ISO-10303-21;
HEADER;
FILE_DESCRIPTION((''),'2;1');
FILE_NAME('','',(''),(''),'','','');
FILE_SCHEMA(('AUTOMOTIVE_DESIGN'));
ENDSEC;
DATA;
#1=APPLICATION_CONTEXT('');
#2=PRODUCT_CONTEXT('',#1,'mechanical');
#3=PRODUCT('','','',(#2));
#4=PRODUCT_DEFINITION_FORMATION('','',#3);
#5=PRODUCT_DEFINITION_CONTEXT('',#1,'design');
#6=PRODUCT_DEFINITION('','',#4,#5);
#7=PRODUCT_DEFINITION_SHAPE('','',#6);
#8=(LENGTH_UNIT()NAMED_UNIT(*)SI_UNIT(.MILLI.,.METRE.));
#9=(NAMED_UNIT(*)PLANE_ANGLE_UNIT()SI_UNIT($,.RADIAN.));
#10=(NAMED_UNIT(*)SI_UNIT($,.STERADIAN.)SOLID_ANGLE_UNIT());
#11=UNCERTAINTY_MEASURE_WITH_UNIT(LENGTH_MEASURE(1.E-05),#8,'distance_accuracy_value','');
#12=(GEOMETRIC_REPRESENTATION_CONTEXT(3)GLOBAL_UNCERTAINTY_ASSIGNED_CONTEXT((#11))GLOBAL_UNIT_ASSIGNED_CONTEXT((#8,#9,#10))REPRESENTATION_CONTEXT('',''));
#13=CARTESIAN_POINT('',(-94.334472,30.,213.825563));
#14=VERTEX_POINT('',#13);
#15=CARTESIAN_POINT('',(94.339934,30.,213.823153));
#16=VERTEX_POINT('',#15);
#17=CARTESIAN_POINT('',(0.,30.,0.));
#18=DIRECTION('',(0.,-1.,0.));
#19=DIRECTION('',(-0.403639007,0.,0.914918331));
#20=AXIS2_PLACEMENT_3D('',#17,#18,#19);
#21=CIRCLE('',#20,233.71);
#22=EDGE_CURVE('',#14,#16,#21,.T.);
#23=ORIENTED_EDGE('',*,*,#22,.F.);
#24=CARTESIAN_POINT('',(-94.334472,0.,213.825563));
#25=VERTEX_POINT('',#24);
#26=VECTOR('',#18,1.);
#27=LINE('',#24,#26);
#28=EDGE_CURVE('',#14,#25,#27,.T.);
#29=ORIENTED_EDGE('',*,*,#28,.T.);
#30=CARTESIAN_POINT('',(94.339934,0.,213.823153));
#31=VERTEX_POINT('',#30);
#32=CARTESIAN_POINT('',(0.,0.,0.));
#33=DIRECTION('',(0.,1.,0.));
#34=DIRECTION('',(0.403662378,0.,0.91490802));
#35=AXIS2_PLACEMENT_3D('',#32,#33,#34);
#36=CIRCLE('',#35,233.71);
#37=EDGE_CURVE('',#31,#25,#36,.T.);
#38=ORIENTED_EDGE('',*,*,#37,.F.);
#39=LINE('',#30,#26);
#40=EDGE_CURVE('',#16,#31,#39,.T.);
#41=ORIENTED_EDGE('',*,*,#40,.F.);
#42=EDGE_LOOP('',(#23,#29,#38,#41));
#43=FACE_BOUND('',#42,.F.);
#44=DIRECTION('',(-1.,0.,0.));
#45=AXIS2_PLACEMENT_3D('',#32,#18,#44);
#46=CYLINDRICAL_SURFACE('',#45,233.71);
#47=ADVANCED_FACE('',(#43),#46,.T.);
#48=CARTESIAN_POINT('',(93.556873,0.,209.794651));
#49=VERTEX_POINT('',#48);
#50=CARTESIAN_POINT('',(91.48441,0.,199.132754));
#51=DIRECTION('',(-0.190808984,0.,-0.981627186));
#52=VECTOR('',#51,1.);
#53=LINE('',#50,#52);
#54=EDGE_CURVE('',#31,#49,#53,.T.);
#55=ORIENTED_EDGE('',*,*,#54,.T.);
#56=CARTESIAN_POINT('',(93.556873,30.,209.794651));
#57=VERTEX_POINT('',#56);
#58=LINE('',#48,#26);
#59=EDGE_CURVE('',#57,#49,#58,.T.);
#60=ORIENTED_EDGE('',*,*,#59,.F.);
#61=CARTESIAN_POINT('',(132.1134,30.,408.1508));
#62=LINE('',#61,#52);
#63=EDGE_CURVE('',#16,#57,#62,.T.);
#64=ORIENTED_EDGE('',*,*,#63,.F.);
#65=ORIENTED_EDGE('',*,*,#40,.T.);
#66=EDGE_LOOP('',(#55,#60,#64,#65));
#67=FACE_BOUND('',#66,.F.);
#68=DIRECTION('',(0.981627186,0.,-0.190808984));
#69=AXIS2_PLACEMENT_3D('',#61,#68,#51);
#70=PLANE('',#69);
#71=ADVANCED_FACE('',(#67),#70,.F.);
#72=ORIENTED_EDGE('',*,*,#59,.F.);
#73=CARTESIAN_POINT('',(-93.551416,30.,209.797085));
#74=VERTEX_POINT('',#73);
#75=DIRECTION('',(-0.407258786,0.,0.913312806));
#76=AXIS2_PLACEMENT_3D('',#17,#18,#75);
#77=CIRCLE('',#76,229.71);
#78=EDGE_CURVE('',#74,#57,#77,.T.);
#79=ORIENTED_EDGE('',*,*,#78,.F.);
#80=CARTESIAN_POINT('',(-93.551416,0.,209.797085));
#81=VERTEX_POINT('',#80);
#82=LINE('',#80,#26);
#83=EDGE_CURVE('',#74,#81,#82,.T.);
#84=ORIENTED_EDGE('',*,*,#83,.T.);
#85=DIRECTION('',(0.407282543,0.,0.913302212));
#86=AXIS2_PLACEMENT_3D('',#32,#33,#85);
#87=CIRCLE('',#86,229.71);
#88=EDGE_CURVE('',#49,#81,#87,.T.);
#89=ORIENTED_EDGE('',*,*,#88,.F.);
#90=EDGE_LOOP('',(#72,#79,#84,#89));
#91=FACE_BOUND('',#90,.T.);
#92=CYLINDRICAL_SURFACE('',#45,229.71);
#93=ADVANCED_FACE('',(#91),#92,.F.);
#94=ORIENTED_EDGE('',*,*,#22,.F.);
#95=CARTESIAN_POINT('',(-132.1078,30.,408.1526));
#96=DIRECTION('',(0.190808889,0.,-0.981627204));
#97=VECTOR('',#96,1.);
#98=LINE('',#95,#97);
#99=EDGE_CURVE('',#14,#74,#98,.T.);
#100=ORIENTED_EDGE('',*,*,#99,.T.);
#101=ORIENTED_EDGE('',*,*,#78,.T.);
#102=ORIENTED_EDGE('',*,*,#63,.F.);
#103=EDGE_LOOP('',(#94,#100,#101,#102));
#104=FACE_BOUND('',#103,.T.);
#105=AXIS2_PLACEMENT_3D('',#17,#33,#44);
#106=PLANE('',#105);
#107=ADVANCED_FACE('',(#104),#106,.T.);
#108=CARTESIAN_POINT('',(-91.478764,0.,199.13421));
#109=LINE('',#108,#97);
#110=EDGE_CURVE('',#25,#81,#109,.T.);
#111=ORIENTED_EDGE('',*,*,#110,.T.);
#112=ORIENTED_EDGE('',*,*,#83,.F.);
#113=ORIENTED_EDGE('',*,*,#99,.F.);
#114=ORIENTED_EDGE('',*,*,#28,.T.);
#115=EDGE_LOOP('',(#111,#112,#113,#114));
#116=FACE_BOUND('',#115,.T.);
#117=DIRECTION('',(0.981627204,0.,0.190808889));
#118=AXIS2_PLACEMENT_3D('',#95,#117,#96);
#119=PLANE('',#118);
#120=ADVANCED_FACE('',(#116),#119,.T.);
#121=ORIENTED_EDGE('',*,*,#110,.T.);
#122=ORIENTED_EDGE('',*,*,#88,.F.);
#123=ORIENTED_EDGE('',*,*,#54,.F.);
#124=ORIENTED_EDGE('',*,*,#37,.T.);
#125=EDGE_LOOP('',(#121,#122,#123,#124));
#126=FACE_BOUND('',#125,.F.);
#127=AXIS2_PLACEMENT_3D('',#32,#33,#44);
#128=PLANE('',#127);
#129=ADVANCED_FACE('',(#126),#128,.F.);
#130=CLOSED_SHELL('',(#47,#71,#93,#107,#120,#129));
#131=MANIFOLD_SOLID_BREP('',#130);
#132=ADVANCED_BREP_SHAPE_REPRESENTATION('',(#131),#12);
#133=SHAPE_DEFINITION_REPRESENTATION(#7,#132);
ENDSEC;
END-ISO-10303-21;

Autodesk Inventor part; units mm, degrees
ref_plane "YZ Plane" through (0, 0, 0) normal (1, 0, 0) x (0, 1, 0)
ref_plane "XZ Plane" through (0, 0, 0) normal (0, 1, 0) x (-1, 0, 0)
ref_plane "XY Plane" through (0, 0, 0) normal (0, 0, 1) x (1, 0, 0)
sketch "Sketch1" plane through (0, 0, 0) normal (0, 1, 0) x (-1, 0, 0)
  circle A0 centre (0, 0) radius 233.71
  circle A1 centre (0, 0) radius 229.71
  dimension "d84" = 459.42
  dimension "d85" = 467.42
extrude "Extrusion3" add sketch "Sketch1" along normal blind 30
sketch "Sketch3" plane through (0, 30, 0) normal (0, 1, 0) x (1, 0, 0)
  arc A0 (-132.1078, -408.1526) -> (132.1134, -408.1508) centre (0, 0) ccw
  arc A1 (-77.7244, -128.3741) -> (77.7297, -128.3709) centre (0, 0) ccw
  line L0 (-122.1811, -173.696) -> (-161.3589, -227.6196)
  line L1 (-132.1078, -408.1526) -> (-77.7244, -128.3741)
  line L2 (0, 0) -> (0, -341.2918)
  line L3 (132.1134, -408.1508) -> (77.7297, -128.3709)
  line L4 (210.5535, -295.3313) -> (171.3679, -241.3969) projected
  dimension "d52" = 25
  dimension "d87" = 150.07
  dimension "d88" = 429
  dimension "d89" = 25
  dimension "d90" = 11
  dimension "d91" = 11
extrude "Extrusion10" cut sketch "Sketch3" against normal through all
equation "\"BendRadius\" = Thickness"
equation "\"BendReliefWidth\" = Thickness"
equation "\"BendReliefDepth\" = 0.5 * Thickness"
equation "\"CornerReliefSize\" = 4 * Thickness"
equation "\"MinimumRemnant\" = 2 * Thickness"
equation "\"TransitionRadius\" = BendRadius"
equation "\"JacobiRadiusSize\" = BendRadius"
equation "\"GapSize\" = Thickness"
equation "\"Thickness\" = 0.5"
properties part number "Banding Mid Level Inner" material "Wood (Maple)"
